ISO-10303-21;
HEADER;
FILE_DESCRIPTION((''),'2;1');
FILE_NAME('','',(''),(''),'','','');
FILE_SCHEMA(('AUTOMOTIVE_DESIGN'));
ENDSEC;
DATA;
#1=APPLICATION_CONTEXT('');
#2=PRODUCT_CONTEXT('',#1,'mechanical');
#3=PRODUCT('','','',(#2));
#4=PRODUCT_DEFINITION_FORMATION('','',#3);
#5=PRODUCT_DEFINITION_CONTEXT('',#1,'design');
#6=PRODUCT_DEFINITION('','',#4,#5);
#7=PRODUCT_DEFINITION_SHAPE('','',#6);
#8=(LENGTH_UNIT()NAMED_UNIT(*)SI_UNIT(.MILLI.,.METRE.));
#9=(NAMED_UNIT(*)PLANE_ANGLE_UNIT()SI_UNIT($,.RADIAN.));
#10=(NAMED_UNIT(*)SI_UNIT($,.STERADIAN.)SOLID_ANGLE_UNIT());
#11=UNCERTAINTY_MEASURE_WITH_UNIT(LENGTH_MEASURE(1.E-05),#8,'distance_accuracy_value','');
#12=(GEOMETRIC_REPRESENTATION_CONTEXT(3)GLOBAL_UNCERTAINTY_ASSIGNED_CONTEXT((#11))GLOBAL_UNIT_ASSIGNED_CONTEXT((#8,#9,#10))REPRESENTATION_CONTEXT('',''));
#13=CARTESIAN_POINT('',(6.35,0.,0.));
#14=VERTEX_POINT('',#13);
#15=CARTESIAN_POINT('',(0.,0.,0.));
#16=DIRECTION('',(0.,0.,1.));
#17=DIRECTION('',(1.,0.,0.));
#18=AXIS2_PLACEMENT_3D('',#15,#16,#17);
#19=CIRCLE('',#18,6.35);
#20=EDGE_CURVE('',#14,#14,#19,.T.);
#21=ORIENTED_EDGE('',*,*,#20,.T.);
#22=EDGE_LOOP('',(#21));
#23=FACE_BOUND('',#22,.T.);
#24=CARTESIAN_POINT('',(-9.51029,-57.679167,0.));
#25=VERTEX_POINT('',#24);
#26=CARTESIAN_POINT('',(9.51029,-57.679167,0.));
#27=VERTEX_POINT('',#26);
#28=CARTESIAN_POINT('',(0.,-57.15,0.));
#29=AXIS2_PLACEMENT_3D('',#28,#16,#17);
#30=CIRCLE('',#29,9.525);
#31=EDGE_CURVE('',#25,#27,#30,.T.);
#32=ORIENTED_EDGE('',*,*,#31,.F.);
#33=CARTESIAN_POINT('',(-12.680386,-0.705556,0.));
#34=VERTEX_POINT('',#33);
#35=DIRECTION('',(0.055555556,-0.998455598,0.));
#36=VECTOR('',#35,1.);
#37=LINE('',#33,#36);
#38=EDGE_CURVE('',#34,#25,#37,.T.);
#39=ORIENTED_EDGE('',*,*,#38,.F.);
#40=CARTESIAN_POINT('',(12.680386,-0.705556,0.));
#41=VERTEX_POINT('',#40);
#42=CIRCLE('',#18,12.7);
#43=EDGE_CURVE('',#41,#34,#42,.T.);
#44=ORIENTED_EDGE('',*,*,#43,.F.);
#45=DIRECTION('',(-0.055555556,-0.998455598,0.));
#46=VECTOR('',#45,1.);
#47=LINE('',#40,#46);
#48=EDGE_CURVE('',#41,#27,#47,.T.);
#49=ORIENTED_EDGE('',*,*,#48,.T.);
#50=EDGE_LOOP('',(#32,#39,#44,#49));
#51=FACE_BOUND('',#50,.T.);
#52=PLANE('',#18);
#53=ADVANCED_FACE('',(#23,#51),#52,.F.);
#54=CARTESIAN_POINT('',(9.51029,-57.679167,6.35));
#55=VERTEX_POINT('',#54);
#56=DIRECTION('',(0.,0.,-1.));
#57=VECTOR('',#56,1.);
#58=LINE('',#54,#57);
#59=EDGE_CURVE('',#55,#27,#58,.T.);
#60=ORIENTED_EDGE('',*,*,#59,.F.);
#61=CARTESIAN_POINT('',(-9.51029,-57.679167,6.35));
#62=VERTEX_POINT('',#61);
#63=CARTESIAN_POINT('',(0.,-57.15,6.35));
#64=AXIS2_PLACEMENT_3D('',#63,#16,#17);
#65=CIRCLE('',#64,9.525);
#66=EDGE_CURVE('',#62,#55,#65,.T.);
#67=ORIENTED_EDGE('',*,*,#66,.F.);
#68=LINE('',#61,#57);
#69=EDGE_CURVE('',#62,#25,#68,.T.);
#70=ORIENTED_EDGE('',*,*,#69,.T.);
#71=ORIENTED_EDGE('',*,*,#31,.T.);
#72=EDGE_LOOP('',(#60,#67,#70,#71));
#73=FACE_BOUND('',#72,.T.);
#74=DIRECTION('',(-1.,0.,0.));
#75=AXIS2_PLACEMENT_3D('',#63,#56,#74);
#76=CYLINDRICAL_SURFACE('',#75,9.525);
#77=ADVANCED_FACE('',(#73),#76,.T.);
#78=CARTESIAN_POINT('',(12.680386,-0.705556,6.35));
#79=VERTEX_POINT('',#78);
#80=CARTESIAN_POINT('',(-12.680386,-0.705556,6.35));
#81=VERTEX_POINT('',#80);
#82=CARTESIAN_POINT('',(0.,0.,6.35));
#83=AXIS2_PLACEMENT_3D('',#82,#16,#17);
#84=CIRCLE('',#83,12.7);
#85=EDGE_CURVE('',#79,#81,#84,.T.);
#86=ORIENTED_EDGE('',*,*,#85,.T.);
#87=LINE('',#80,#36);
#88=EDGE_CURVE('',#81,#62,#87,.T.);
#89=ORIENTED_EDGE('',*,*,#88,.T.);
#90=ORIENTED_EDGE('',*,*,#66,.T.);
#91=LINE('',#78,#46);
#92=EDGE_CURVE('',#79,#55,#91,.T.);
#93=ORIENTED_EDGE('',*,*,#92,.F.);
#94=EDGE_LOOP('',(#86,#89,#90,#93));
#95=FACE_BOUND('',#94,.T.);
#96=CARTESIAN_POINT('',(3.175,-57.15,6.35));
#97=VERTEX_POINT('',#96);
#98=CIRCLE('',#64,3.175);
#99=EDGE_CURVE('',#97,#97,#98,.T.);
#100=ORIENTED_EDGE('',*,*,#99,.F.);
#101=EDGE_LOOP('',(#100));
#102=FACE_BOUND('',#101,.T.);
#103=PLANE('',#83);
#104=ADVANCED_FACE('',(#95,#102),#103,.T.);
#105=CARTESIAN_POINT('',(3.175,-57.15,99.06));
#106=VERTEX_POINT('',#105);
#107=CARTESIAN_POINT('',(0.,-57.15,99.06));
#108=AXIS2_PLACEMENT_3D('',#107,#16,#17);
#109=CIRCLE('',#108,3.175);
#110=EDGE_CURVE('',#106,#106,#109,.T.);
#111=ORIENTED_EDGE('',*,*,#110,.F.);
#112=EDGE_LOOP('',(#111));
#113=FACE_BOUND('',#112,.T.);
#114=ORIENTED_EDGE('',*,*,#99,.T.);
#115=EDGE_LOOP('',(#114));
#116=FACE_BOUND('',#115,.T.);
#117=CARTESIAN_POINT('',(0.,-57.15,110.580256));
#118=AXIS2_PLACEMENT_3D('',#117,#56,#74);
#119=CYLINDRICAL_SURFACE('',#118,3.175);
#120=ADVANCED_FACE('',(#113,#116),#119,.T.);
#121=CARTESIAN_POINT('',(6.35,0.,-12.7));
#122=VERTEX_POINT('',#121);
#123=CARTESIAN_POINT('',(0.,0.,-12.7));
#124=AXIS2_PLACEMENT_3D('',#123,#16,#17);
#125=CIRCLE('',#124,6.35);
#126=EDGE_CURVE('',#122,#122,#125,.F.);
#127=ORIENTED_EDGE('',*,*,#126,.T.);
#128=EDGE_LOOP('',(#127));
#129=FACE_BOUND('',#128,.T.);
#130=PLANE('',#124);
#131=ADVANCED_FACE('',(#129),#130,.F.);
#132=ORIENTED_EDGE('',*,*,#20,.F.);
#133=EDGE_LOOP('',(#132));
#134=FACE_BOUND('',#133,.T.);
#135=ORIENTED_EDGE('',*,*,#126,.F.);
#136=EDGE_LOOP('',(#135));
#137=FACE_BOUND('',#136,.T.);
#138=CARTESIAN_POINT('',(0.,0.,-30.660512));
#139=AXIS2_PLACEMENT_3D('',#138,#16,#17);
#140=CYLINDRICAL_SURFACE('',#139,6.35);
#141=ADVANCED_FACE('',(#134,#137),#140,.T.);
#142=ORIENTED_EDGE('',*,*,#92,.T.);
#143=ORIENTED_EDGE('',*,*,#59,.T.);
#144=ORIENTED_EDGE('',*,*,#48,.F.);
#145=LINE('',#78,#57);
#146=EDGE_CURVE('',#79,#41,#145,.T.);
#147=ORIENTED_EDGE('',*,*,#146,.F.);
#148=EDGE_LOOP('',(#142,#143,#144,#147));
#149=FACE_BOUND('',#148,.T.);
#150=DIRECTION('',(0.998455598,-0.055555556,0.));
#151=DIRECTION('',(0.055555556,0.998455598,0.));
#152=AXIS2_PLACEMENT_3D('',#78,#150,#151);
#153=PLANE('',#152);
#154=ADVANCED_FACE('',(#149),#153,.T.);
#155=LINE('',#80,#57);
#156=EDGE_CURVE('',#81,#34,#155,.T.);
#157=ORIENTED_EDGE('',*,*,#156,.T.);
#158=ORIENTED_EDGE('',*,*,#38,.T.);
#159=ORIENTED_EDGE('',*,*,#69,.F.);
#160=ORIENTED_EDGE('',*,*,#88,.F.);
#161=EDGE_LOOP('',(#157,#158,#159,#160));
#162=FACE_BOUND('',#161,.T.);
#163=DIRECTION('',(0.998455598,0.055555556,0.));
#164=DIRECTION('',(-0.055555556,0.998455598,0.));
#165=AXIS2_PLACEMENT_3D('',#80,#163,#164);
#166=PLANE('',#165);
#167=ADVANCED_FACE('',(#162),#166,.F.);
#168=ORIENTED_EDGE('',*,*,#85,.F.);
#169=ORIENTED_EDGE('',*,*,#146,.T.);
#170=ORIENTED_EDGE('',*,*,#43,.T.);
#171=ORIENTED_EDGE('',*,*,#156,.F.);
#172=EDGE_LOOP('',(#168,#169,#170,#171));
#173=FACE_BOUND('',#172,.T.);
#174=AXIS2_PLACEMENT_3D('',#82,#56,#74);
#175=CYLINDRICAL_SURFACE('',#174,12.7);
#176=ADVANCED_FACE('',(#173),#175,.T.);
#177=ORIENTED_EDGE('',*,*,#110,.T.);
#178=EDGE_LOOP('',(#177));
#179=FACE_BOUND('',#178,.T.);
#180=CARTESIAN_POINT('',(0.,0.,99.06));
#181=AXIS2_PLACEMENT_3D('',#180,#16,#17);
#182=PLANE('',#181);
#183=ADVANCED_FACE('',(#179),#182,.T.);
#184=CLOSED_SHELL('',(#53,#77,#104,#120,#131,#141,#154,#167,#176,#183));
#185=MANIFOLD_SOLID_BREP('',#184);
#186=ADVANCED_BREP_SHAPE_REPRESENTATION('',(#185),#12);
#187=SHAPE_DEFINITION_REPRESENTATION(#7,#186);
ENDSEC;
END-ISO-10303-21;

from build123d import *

# Parameters (mm, degrees)
SKETCH1_R           = 6.35
BOSS_EXTRUDE1_DEPTH = 12.7
SKETCH1_3_R         = 3.175
BOSS_EXTRUDE2_DEPTH = 6.35
SKETCH1_4_R         = 3.175
BOSS_EXTRUDE3_DEPTH = 99.06


with BuildPart() as part:
    # Sketch1 → Boss-Extrude1 (new body)
    with BuildSketch(Plane.XY):
        Circle(SKETCH1_R)
    extrude(amount=-BOSS_EXTRUDE1_DEPTH)

    # Sketch1<3> → Boss-Extrude2 (add)
    with BuildSketch(Plane.XY):
        with BuildLine():
            Line((9.510289567, -57.679166667), (12.680386089, -0.705555556))
            ThreePointArc((12.680386089, -0.705555556), (0, 12.7), (-12.680386089, -0.705555556))
            Line((-12.680386089, -0.705555556), (-9.510289567, -57.679166667))
            ThreePointArc((-9.510289567, -57.679166667), (0, -66.675), (9.510289567, -57.679166667))
        make_face()
        with Locations((0, -57.15)):
            Circle(SKETCH1_3_R, mode=Mode.SUBTRACT)
    extrude(amount=BOSS_EXTRUDE2_DEPTH)

    # Sketch1<4> → Boss-Extrude3 (add)
    with BuildSketch(Plane.XY):
        with Locations((0, -57.15)):
            Circle(SKETCH1_4_R)
    extrude(amount=BOSS_EXTRUDE3_DEPTH)


solid = part.part
